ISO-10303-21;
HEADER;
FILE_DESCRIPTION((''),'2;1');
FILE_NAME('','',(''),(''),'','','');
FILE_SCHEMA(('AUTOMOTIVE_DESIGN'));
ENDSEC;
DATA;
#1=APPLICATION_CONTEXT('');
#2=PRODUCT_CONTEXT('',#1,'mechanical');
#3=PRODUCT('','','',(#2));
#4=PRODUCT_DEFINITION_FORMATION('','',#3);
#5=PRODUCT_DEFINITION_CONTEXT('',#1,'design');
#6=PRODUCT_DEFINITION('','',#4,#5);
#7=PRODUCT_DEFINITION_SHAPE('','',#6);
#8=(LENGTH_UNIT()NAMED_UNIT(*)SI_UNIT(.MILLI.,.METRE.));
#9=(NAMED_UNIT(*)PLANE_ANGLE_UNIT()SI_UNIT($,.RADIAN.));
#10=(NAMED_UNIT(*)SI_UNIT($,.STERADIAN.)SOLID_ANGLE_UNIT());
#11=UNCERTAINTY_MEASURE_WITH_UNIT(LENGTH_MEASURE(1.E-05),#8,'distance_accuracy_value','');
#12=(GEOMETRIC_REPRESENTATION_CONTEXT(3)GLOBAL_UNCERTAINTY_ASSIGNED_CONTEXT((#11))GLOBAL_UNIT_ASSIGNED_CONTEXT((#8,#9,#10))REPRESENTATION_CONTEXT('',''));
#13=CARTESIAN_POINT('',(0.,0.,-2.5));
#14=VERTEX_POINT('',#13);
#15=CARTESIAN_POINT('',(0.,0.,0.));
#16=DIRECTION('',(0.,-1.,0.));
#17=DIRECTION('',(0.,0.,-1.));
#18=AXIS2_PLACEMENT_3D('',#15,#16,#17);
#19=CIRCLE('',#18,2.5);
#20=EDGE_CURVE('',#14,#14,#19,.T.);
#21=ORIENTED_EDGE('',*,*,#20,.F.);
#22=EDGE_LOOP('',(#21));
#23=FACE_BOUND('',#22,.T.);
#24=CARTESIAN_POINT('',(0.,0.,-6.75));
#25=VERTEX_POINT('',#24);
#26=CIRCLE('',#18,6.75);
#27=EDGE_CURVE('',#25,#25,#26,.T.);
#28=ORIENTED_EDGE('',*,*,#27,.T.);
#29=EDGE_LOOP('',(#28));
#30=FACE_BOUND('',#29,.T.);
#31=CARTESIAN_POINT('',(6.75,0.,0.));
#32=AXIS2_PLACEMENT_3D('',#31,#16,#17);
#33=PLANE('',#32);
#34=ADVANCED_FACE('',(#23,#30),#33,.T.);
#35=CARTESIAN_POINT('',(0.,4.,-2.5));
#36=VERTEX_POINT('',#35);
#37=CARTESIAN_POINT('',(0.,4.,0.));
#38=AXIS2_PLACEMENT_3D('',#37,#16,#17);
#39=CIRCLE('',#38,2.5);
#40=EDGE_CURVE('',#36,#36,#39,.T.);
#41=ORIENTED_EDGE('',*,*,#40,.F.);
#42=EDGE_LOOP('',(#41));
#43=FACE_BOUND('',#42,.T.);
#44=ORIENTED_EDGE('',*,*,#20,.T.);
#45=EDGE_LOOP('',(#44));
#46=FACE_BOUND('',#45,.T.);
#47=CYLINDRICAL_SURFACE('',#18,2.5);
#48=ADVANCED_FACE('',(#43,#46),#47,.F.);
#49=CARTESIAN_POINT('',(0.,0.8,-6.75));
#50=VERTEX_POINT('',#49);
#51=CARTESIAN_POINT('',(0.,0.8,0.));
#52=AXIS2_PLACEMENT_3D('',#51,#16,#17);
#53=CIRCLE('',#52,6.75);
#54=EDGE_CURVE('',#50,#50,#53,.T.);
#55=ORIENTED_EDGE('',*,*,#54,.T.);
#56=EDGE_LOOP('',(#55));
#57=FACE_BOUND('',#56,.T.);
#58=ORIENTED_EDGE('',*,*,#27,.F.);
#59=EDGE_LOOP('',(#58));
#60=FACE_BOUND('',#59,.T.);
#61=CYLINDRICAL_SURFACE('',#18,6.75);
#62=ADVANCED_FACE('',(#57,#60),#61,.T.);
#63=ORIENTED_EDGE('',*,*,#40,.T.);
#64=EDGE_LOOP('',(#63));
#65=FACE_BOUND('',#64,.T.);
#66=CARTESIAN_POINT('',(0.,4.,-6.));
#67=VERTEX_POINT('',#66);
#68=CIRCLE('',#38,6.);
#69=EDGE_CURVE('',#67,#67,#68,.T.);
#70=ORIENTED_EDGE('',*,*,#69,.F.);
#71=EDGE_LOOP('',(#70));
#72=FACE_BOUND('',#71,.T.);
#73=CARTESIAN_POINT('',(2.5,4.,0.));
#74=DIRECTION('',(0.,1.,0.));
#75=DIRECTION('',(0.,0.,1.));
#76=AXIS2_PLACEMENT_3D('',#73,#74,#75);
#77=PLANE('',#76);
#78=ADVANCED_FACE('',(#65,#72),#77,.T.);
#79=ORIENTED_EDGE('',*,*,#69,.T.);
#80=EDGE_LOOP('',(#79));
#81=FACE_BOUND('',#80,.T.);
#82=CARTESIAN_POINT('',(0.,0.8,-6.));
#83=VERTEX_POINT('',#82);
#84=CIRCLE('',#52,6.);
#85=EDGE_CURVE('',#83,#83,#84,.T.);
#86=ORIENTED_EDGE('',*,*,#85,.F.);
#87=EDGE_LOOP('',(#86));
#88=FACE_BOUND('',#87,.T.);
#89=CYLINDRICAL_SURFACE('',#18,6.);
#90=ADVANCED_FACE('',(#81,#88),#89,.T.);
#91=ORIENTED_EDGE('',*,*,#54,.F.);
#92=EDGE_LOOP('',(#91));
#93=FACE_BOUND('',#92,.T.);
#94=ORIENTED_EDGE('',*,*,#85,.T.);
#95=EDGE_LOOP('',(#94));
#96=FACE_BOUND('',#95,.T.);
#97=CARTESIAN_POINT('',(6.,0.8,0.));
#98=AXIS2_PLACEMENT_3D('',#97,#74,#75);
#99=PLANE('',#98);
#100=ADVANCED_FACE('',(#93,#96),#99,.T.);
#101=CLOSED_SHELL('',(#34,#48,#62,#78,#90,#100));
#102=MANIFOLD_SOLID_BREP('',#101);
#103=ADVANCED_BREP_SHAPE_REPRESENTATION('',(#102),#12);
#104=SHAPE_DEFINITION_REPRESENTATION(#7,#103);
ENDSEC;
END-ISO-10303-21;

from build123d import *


with BuildPart() as part:
    # Sketch1 → Revolve1 (revolve)
    with BuildSketch(Plane.XY, mode=Mode.PRIVATE) as revolve1_sk:
        Polygon((2.5, 0), (2.5, 4), (6, 4), (6, 0.8), (6.75, 0.8), (6.75, 0), align=None)
    revolve(revolve1_sk.sketch.rotate(Axis((0, 0, 0), (0, 1, 0)), 90), axis=Axis((0, 0, 0), (0, 1, 0)))


solid = part.part
